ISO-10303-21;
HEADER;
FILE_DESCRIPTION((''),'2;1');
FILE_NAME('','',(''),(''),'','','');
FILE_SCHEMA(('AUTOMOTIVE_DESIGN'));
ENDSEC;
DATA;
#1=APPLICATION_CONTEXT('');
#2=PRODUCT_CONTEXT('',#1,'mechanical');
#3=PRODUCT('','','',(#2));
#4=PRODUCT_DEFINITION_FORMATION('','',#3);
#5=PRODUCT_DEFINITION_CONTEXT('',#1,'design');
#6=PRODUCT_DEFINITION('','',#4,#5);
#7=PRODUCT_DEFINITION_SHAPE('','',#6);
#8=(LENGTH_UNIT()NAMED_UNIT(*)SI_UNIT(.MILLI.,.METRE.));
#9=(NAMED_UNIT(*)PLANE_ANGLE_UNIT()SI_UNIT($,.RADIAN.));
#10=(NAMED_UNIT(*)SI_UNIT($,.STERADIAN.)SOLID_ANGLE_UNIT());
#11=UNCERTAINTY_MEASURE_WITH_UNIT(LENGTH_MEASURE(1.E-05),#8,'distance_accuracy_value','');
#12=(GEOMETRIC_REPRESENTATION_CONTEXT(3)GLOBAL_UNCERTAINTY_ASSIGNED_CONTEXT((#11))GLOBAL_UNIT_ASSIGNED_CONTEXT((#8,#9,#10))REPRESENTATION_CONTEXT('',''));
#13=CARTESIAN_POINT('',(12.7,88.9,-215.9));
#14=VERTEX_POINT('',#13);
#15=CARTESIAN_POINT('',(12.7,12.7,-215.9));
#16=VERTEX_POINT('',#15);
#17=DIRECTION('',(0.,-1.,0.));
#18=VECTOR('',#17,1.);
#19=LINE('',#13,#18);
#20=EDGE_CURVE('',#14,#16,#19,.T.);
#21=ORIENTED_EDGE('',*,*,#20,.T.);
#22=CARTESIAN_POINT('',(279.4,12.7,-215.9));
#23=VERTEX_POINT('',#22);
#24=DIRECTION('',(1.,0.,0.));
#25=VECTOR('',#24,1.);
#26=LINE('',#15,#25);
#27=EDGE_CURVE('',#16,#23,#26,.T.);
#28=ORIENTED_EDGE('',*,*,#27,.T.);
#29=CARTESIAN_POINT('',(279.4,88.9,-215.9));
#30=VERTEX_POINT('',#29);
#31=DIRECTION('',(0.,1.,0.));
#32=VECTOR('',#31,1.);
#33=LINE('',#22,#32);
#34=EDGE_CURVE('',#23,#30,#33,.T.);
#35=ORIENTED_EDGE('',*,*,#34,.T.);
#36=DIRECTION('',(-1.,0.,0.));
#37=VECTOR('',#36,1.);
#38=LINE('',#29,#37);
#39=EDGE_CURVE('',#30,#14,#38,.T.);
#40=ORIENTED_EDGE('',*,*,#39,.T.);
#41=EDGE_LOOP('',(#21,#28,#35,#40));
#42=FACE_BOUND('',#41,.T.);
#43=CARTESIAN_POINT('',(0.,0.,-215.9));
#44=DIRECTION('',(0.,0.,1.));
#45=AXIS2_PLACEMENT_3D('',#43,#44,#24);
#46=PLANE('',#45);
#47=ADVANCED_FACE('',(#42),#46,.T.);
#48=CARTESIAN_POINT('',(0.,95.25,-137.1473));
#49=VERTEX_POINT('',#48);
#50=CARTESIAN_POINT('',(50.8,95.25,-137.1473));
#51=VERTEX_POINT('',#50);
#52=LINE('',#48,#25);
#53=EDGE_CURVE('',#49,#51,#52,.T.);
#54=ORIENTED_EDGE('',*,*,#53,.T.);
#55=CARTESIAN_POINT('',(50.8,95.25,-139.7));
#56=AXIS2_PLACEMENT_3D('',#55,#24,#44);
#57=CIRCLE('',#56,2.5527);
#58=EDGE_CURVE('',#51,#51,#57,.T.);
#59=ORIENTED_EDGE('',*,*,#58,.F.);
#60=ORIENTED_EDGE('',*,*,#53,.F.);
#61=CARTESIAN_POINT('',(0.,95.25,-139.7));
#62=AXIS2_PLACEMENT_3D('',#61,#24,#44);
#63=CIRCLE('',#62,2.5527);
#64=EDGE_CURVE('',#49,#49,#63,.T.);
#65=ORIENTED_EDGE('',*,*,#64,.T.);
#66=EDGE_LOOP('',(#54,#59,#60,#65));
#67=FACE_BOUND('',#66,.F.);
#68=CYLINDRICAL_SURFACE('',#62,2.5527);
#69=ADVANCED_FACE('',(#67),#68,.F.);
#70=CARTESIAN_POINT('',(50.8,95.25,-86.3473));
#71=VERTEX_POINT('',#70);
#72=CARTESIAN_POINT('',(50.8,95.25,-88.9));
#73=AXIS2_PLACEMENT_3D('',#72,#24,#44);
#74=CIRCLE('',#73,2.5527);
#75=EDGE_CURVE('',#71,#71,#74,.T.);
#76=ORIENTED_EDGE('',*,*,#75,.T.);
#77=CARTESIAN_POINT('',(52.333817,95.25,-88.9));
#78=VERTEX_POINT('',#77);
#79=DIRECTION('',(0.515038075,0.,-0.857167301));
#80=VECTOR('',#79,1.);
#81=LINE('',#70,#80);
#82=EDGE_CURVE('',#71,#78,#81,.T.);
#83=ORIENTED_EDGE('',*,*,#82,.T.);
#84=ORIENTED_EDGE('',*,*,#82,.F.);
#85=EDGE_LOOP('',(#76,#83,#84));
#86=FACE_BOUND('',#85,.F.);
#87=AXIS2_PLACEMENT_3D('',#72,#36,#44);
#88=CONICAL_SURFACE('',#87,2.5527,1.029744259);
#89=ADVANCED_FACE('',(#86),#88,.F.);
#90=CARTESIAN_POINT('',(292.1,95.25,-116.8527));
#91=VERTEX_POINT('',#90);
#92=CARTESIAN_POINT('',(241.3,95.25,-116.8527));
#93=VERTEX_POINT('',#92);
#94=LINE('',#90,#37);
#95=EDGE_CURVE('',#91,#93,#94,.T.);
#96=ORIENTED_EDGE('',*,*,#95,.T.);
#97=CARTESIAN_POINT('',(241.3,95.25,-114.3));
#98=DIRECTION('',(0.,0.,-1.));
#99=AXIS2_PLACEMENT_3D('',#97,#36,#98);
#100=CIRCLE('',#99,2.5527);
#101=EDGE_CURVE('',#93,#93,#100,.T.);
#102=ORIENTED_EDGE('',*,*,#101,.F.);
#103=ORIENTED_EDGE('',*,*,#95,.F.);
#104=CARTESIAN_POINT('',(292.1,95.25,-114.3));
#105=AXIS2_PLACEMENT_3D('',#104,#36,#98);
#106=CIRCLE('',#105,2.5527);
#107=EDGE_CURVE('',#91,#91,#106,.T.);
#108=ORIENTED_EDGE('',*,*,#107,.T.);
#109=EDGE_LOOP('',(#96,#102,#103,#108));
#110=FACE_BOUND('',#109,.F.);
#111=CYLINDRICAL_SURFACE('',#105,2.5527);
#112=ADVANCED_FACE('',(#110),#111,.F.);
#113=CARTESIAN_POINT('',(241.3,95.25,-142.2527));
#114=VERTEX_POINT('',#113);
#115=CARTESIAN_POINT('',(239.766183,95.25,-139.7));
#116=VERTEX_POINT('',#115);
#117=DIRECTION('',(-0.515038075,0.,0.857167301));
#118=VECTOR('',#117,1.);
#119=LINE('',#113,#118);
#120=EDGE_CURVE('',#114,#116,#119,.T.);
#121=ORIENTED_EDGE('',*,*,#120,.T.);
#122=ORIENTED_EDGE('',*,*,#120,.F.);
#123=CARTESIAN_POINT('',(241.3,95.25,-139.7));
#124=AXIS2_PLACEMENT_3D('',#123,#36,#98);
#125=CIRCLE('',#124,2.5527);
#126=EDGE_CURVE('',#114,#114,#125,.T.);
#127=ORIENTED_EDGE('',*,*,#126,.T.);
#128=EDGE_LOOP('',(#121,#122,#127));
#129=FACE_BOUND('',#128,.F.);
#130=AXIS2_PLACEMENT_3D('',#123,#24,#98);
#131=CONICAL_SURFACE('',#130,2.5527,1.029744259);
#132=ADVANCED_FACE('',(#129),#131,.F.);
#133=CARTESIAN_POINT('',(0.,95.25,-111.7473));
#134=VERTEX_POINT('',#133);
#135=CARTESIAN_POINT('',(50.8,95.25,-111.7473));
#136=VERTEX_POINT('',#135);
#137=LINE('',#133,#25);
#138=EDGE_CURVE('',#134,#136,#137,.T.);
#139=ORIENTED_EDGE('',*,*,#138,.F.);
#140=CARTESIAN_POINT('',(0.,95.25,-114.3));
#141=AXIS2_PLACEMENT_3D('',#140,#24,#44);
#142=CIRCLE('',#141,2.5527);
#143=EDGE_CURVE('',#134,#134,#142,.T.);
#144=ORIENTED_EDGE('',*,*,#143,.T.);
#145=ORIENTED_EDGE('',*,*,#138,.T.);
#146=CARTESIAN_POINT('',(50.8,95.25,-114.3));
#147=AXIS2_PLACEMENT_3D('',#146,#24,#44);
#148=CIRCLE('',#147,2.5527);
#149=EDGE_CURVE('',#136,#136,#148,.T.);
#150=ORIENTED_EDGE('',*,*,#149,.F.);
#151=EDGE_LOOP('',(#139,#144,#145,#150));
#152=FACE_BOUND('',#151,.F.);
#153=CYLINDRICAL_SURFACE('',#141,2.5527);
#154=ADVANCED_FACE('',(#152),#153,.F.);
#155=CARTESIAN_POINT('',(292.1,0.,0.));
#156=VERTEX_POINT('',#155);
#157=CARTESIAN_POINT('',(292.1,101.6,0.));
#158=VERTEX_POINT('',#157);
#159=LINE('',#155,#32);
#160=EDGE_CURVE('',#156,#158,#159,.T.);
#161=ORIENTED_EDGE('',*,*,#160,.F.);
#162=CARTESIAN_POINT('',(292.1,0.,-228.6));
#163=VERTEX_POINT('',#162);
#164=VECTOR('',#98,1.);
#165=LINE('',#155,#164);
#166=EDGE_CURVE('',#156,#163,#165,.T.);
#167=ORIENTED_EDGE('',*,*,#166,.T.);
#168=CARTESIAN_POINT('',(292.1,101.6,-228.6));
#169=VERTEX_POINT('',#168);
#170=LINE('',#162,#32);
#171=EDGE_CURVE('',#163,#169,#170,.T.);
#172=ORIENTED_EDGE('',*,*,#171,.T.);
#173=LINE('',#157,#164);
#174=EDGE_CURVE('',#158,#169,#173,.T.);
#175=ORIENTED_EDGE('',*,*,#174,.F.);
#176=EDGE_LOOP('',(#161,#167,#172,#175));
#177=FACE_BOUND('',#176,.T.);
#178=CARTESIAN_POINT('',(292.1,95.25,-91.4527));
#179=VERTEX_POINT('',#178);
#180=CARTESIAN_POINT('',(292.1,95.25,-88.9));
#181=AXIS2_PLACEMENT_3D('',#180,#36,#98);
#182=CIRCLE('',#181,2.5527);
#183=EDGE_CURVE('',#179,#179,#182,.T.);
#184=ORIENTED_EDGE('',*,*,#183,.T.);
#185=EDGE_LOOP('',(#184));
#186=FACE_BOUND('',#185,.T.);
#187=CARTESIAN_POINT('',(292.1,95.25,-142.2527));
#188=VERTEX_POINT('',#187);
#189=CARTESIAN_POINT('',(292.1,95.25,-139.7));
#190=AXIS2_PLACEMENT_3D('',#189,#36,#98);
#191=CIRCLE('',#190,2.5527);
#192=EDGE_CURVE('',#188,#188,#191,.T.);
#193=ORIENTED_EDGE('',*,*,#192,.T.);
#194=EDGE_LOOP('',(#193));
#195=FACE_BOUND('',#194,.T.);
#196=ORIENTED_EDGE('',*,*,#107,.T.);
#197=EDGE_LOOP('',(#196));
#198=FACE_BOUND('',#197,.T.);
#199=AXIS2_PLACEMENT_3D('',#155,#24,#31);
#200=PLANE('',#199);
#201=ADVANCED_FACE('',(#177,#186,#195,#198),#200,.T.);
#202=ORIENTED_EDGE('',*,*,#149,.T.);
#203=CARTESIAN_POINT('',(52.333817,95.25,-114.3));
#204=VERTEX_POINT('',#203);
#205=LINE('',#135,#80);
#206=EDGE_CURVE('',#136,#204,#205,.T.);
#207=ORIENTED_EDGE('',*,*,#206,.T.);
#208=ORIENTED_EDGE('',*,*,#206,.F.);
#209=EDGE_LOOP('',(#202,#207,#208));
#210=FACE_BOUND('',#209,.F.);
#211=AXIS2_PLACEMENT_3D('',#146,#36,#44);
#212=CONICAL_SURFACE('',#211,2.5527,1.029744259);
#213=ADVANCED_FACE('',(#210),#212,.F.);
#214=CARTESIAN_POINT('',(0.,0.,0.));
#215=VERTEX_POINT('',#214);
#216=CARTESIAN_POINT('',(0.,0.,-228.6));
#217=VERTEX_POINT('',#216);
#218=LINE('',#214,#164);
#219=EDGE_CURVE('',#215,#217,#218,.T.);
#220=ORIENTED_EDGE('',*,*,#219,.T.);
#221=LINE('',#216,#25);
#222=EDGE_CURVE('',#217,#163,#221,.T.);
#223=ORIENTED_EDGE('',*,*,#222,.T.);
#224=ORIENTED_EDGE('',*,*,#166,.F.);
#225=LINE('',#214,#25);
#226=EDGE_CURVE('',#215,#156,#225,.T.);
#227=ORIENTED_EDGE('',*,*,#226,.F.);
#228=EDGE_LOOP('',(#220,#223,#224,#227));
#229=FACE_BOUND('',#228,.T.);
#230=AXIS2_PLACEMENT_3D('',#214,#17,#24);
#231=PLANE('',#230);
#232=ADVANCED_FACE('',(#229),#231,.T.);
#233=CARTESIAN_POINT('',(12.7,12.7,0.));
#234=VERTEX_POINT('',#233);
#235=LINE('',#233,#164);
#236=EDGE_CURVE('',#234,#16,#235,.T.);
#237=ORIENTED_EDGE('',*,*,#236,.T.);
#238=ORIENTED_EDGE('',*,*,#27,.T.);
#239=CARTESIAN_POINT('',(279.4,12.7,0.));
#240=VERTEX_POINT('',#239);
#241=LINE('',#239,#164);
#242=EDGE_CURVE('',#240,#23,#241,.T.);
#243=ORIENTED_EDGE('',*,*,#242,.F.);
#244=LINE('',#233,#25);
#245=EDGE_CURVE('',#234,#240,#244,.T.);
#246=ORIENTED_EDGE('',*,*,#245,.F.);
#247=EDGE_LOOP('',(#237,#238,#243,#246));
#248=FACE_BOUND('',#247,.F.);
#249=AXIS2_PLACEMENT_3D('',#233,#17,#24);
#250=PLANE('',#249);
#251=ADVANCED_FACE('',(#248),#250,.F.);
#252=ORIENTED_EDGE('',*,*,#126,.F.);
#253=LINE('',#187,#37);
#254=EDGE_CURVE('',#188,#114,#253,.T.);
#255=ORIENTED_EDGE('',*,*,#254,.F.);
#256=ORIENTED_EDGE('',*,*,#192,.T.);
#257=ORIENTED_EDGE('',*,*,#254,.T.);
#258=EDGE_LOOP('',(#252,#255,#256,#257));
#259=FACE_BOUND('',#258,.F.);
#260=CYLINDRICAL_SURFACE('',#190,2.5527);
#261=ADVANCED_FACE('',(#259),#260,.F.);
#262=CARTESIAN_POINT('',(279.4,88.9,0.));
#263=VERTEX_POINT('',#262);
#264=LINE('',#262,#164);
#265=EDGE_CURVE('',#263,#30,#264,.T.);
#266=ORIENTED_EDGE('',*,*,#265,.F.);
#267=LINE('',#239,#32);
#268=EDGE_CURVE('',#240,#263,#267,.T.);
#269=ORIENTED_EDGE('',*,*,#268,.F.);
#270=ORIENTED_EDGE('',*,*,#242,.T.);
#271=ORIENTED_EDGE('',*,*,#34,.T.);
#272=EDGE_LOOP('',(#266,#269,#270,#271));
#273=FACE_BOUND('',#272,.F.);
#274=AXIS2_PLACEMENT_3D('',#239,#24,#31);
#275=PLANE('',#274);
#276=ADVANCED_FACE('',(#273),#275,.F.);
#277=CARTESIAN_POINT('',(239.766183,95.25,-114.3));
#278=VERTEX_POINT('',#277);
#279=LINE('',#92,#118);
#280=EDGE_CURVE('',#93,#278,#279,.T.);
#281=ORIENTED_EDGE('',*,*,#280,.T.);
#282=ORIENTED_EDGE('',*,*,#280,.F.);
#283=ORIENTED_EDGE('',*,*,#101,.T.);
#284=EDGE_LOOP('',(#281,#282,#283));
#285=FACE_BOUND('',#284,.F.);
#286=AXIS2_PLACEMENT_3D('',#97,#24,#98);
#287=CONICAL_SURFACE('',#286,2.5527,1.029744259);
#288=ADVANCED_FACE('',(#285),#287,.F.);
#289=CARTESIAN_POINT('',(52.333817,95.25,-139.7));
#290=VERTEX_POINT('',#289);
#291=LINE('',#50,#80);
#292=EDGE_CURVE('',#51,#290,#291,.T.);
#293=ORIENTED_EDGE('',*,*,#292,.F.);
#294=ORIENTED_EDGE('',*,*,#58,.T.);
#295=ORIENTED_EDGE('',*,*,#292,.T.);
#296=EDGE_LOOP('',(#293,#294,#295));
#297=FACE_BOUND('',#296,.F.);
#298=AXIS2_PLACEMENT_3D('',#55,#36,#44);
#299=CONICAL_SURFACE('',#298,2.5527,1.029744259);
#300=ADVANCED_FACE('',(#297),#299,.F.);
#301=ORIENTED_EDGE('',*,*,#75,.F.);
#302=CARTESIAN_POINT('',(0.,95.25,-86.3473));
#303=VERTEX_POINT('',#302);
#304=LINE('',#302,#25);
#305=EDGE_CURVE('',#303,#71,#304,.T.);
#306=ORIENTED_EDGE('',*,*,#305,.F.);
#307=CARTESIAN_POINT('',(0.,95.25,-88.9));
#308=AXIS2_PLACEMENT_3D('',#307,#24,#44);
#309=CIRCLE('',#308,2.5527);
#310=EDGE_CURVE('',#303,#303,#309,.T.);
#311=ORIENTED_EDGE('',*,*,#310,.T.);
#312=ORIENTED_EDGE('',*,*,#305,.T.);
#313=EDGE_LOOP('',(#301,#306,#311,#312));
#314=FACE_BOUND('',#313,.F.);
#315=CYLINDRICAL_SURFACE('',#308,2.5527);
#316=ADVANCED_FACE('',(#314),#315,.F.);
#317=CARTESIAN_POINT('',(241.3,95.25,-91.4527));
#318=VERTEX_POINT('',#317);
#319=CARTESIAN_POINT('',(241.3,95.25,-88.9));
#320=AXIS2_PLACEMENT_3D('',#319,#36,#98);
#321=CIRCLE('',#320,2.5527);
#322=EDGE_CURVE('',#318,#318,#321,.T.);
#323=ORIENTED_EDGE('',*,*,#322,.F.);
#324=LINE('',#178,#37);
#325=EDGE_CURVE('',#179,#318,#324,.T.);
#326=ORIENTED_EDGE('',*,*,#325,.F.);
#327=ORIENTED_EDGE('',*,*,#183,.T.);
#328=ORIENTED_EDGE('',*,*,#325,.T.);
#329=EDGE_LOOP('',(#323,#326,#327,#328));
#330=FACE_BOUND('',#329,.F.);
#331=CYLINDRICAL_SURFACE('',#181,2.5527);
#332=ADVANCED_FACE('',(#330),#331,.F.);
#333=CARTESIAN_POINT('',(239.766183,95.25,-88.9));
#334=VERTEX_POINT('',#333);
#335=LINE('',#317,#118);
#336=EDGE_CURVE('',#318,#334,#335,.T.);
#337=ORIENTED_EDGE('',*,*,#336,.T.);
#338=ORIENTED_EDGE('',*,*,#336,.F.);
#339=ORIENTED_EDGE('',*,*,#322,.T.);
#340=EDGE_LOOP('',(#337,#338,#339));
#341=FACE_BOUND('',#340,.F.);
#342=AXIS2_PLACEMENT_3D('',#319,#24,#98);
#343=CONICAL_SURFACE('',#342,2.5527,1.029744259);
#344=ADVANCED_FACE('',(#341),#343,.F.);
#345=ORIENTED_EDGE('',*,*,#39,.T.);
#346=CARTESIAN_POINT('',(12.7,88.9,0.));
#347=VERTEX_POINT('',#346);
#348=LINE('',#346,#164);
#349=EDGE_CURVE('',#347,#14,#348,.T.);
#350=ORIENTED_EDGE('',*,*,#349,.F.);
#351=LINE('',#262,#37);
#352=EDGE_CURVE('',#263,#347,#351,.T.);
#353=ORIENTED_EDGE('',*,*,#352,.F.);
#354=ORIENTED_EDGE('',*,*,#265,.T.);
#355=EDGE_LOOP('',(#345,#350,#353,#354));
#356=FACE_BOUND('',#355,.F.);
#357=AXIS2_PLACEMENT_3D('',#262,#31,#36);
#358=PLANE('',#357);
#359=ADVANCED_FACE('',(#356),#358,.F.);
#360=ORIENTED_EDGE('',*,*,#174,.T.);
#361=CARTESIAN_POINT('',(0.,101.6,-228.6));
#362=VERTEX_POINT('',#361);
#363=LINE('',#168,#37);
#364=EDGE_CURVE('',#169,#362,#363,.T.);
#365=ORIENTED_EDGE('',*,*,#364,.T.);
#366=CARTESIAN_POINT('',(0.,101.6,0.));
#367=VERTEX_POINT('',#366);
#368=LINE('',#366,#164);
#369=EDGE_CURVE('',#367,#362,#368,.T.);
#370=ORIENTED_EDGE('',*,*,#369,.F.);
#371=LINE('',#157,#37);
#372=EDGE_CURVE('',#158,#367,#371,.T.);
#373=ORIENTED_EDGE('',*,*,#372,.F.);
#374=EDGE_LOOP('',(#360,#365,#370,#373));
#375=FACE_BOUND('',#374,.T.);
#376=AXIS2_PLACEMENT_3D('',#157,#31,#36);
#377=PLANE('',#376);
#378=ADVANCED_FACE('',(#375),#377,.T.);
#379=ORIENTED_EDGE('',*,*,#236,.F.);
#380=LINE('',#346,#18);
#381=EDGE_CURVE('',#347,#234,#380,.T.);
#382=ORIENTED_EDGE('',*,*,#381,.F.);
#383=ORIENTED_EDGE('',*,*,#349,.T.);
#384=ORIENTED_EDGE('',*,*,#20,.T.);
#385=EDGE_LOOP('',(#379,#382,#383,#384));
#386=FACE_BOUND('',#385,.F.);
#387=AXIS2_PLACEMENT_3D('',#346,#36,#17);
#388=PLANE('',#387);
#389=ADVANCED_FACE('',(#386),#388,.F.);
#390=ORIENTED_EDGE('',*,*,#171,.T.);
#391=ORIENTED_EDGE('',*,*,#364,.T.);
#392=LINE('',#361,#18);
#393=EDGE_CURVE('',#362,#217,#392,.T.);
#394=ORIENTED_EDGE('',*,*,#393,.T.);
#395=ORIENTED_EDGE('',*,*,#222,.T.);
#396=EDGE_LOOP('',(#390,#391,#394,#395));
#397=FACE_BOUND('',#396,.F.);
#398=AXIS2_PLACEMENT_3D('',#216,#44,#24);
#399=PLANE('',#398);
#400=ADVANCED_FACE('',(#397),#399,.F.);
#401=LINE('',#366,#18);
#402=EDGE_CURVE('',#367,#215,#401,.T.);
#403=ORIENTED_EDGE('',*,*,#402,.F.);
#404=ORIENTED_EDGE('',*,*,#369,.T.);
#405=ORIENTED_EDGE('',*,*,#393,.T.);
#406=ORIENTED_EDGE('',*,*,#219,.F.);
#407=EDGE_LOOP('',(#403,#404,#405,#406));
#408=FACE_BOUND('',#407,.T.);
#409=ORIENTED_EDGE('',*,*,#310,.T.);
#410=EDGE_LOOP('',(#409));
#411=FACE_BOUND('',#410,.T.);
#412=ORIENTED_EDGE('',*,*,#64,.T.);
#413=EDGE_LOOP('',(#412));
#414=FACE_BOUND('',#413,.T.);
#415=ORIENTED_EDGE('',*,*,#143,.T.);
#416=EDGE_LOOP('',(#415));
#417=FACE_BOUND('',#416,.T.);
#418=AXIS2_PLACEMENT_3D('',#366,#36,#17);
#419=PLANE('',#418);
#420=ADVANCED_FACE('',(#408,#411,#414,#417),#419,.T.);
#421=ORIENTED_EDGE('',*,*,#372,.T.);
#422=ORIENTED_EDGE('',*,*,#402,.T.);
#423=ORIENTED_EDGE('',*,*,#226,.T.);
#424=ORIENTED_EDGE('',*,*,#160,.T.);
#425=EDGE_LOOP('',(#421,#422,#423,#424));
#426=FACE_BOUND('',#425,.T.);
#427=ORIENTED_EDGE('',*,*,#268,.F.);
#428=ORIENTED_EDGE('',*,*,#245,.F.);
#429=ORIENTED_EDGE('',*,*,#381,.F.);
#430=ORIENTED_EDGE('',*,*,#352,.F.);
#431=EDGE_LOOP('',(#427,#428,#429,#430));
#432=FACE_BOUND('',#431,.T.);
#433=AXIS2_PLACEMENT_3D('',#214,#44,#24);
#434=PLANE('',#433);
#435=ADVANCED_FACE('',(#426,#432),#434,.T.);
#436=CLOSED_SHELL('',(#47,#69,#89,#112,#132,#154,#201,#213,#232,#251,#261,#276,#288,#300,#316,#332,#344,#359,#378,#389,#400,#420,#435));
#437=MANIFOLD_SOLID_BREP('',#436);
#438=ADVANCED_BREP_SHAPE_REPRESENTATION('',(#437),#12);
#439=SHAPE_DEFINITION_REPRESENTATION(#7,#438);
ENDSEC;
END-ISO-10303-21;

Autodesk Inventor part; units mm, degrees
ref_plane "YZ Plane" through (0, 0, 0) normal (1, 0, 0) x (0, 1, 0)
ref_plane "XZ Plane" through (0, 0, 0) normal (0, 1, 0) x (-1, 0, 0)
ref_plane "XY Plane" through (0, 0, 0) normal (0, 0, 1) x (1, 0, 0)
sketch "BottomBoxFrame" plane through (0, 0, 0) normal (0, 0, 1) x (1, 0, 0)
  line L0 (0, 0) -> (292.1, 0)
  line L1 (292.1, 0) -> (292.1, 101.6)
  line L2 (292.1, 101.6) -> (0, 101.6)
  line L3 (0, 101.6) -> (0, 0)
  dimension "d0" = 101.6
  dimension "d1" = 292.1
extrude "BottomBoxWidth" add sketch "BottomBoxFrame" against normal blind 228.6
sketch "TrayShape" plane through (0, 0, 0) normal (0, 0, 1) x (1, 0, 0)
  line L0 (12.7, 12.7) -> (279.4, 12.7)
  line L1 (279.4, 12.7) -> (279.4, 88.9)
  line L2 (279.4, 88.9) -> (12.7, 88.9)
  line L3 (12.7, 88.9) -> (12.7, 12.7)
  line L4 (0, 0) -> (292.1, 0) projected
  line L5 (0, 101.6) -> (0, 0) projected
  line L6 (292.1, 0) -> (292.1, 101.6) projected
  line L7 (292.1, 101.6) -> (0, 101.6) projected
  dimension "d5" = 12.7
  dimension "d6" = 12.7
  dimension "d7" = 12.7
  dimension "d10" = 12.7
extrude "TrayCut" cut sketch "TrayShape" against normal blind 215.9 contours L3 L2 L1 L0
sketch "RightHoleGeo" plane through (292.1, 0, 0) normal (1, 0, 0) x (0, 0, -1)
  line L0 (0, 101.6) -> (228.6, 101.6) projected
  line L1 (0, 0) -> (0, 101.6) projected
  point P0 (88.9, 95.25)
  point P1 (114.3, 95.25)
  point P2 (139.7, 95.25)
  dimension "d18" = 6.35
  dimension "d19" = 88.9
  dimension "d22" = 25.4
hole "RightPlateHoles" at (292.1, 95.25, -88.9) at (292.1, 95.25, -114.3) at (292.1, 95.25, -139.7) direction (-1, 0, 0) diameter 5.1054 depth 50.8 tip angle 118 clearance for "Flat Head Machine Screw (82)" size "#10" standard "Ansi Unified Screw Threads"
sketch "LeftHoleGeo" plane through (0, 0, 0) normal (-1, 0, 0) x (0, 0, 1)
  line L0 (0, 101.6) -> (-228.6, 101.6) projected
  line L1 (-228.6, 0) -> (-228.6, 101.6) projected
  point P0 (0, 0)
  point P1 (-139.7, 95.25)
  point P2 (-114.3, 95.25)
  point P3 (-88.9, 95.25)
  dimension "d34" = 6.35
  dimension "d35" = 88.9
  dimension "d38" = 25.4
hole "LeftPlateHoles" at (0, 95.25, -139.7) at (0, 95.25, -114.3) at (0, 95.25, -88.9) direction (1, 0, 0) diameter 5.1054 depth 50.8 tip angle 118 clearance for "Flat Head Machine Screw (82)" size "#10" standard "Ansi Unified Screw Threads"
equation "\"d6\" = d5"
equation "\"d7\" = d6"
equation "\"d10\" = d5"
properties part number "BatteryBoxV2-Bottom"
